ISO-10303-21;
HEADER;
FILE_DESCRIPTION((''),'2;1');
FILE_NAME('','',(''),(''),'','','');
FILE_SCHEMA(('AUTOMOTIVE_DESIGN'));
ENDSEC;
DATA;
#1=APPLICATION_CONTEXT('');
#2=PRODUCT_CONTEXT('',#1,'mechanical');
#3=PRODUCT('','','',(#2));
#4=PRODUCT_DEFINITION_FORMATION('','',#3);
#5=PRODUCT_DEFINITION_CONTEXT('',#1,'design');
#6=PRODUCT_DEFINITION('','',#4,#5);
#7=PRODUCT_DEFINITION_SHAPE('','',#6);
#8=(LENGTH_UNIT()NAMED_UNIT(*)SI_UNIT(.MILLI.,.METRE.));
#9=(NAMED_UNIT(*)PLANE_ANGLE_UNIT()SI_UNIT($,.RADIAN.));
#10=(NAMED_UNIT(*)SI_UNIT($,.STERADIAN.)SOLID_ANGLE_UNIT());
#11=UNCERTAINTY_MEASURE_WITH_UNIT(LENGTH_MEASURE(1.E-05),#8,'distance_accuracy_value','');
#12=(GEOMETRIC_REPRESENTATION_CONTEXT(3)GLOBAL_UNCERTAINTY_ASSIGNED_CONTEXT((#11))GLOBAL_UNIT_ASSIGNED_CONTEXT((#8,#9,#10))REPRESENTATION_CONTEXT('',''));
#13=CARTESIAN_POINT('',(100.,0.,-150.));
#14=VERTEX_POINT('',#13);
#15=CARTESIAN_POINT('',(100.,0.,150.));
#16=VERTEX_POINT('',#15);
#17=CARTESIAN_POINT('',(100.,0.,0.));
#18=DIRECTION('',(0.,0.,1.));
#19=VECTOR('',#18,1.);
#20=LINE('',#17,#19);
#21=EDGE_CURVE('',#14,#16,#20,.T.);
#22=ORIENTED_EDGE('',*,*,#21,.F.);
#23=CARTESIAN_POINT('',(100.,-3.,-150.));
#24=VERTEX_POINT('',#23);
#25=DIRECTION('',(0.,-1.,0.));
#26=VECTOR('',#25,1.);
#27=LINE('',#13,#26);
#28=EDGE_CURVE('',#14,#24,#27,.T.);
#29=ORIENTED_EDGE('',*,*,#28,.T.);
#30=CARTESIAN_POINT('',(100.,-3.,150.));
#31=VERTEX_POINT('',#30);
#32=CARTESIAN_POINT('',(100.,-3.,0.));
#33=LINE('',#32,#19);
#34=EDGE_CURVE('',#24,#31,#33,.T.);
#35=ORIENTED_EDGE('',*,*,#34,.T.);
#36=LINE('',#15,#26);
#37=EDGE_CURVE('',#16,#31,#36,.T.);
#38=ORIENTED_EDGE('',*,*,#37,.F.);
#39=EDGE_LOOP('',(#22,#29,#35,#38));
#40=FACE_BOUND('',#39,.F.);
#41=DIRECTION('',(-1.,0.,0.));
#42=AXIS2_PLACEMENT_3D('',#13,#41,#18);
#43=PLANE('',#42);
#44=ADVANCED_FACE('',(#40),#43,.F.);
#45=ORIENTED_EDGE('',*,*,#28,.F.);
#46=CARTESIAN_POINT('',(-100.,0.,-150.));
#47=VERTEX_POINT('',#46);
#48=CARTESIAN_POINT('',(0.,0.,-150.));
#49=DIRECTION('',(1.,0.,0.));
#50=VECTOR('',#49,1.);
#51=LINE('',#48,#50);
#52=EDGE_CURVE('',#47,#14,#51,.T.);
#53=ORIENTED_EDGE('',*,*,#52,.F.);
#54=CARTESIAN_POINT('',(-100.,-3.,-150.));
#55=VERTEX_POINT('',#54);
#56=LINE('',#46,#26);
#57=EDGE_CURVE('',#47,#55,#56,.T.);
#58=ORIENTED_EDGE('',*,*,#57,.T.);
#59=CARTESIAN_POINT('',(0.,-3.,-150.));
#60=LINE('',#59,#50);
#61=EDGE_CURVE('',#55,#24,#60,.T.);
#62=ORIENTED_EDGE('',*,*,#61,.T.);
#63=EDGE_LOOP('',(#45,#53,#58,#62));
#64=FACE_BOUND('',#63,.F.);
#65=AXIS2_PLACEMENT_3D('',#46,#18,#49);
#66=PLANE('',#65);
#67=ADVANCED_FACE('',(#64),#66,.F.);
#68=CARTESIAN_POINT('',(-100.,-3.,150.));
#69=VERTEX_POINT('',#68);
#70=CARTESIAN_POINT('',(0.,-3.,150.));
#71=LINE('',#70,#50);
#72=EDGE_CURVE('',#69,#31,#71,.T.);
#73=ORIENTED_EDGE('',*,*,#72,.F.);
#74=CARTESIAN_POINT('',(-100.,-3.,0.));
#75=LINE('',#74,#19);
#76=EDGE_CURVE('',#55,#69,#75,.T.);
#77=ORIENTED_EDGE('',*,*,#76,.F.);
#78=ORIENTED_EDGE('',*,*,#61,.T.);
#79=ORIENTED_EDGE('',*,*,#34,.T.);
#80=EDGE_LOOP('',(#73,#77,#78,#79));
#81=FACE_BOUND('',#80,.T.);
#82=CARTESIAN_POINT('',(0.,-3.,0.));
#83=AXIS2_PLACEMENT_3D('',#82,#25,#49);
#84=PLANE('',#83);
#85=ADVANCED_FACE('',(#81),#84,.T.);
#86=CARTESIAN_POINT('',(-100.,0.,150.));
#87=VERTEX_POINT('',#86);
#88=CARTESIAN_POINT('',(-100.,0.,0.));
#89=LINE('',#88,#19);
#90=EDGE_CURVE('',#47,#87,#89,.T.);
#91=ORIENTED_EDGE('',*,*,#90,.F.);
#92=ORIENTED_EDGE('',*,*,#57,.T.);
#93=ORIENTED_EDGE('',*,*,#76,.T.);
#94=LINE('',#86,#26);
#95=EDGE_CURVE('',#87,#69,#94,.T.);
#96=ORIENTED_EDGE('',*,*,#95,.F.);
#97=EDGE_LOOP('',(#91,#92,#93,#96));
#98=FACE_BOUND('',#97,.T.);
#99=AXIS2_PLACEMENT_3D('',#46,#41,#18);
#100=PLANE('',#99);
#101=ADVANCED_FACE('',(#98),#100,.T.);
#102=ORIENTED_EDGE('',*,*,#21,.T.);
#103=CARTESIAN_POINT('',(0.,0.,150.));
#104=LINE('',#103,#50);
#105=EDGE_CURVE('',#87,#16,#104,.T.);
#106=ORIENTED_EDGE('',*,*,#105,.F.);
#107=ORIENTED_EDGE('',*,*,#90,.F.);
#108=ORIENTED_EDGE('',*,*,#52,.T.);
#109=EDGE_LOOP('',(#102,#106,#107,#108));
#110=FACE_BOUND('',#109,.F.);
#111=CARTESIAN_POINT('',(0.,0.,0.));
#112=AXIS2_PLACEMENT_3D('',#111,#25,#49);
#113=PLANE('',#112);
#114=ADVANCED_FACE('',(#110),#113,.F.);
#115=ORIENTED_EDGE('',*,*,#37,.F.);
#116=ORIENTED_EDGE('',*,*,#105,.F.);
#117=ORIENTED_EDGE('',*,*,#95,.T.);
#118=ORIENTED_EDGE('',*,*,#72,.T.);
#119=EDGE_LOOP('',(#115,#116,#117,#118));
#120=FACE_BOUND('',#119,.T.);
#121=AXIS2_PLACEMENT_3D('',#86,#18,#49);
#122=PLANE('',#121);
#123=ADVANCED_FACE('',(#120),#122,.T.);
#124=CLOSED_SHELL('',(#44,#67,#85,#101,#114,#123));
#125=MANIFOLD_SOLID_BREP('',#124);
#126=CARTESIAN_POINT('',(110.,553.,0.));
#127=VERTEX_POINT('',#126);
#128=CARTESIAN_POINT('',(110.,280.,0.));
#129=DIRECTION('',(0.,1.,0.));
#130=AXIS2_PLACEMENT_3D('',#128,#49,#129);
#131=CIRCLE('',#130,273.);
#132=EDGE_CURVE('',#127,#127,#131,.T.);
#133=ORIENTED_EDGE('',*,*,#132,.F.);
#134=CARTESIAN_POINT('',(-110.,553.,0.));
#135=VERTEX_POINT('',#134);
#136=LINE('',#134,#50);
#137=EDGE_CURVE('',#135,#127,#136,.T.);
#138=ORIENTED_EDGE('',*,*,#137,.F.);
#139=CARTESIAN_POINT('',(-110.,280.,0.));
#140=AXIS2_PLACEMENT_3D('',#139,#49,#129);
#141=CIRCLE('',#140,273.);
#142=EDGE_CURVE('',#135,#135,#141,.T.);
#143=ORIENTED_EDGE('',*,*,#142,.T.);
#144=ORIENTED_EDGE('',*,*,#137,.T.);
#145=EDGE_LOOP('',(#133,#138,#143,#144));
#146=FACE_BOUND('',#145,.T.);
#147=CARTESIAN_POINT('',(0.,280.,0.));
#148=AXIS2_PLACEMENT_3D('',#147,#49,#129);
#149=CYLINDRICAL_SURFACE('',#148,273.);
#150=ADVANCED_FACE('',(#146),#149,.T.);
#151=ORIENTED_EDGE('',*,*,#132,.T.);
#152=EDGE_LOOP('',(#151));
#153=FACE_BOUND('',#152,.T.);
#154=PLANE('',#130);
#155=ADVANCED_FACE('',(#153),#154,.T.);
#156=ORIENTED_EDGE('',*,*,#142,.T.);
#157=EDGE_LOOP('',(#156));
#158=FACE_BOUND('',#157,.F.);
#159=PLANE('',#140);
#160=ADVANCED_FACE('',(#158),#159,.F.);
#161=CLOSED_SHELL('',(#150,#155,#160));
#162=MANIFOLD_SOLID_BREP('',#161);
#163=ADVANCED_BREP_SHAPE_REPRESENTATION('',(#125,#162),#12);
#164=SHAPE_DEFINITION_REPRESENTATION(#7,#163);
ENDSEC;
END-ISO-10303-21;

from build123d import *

# Parameters (mm, degrees)
F0_W          = 200
F0_H          = 300
F1_DEPTH      = 3
F2_R          = 273
F3_DEPTH      = 110
F3_DEPTH_BACK = 110


with BuildPart() as f1:
    # F0 (on Front) → F1 (new body)
    with BuildSketch(Plane.XZ):
        Rectangle(F0_W, F0_H)
    extrude(amount=F1_DEPTH)


with BuildPart() as f3:
    # F2 (on Right) → F3 (new body, two sides)
    with BuildSketch(Plane.YZ) as f3_sk:
        with Locations((280, 0)):
            Circle(F2_R)
    extrude(amount=F3_DEPTH)
    extrude(f3_sk.sketch, amount=-F3_DEPTH_BACK)


solid = Compound([f1.part, f3.part])
